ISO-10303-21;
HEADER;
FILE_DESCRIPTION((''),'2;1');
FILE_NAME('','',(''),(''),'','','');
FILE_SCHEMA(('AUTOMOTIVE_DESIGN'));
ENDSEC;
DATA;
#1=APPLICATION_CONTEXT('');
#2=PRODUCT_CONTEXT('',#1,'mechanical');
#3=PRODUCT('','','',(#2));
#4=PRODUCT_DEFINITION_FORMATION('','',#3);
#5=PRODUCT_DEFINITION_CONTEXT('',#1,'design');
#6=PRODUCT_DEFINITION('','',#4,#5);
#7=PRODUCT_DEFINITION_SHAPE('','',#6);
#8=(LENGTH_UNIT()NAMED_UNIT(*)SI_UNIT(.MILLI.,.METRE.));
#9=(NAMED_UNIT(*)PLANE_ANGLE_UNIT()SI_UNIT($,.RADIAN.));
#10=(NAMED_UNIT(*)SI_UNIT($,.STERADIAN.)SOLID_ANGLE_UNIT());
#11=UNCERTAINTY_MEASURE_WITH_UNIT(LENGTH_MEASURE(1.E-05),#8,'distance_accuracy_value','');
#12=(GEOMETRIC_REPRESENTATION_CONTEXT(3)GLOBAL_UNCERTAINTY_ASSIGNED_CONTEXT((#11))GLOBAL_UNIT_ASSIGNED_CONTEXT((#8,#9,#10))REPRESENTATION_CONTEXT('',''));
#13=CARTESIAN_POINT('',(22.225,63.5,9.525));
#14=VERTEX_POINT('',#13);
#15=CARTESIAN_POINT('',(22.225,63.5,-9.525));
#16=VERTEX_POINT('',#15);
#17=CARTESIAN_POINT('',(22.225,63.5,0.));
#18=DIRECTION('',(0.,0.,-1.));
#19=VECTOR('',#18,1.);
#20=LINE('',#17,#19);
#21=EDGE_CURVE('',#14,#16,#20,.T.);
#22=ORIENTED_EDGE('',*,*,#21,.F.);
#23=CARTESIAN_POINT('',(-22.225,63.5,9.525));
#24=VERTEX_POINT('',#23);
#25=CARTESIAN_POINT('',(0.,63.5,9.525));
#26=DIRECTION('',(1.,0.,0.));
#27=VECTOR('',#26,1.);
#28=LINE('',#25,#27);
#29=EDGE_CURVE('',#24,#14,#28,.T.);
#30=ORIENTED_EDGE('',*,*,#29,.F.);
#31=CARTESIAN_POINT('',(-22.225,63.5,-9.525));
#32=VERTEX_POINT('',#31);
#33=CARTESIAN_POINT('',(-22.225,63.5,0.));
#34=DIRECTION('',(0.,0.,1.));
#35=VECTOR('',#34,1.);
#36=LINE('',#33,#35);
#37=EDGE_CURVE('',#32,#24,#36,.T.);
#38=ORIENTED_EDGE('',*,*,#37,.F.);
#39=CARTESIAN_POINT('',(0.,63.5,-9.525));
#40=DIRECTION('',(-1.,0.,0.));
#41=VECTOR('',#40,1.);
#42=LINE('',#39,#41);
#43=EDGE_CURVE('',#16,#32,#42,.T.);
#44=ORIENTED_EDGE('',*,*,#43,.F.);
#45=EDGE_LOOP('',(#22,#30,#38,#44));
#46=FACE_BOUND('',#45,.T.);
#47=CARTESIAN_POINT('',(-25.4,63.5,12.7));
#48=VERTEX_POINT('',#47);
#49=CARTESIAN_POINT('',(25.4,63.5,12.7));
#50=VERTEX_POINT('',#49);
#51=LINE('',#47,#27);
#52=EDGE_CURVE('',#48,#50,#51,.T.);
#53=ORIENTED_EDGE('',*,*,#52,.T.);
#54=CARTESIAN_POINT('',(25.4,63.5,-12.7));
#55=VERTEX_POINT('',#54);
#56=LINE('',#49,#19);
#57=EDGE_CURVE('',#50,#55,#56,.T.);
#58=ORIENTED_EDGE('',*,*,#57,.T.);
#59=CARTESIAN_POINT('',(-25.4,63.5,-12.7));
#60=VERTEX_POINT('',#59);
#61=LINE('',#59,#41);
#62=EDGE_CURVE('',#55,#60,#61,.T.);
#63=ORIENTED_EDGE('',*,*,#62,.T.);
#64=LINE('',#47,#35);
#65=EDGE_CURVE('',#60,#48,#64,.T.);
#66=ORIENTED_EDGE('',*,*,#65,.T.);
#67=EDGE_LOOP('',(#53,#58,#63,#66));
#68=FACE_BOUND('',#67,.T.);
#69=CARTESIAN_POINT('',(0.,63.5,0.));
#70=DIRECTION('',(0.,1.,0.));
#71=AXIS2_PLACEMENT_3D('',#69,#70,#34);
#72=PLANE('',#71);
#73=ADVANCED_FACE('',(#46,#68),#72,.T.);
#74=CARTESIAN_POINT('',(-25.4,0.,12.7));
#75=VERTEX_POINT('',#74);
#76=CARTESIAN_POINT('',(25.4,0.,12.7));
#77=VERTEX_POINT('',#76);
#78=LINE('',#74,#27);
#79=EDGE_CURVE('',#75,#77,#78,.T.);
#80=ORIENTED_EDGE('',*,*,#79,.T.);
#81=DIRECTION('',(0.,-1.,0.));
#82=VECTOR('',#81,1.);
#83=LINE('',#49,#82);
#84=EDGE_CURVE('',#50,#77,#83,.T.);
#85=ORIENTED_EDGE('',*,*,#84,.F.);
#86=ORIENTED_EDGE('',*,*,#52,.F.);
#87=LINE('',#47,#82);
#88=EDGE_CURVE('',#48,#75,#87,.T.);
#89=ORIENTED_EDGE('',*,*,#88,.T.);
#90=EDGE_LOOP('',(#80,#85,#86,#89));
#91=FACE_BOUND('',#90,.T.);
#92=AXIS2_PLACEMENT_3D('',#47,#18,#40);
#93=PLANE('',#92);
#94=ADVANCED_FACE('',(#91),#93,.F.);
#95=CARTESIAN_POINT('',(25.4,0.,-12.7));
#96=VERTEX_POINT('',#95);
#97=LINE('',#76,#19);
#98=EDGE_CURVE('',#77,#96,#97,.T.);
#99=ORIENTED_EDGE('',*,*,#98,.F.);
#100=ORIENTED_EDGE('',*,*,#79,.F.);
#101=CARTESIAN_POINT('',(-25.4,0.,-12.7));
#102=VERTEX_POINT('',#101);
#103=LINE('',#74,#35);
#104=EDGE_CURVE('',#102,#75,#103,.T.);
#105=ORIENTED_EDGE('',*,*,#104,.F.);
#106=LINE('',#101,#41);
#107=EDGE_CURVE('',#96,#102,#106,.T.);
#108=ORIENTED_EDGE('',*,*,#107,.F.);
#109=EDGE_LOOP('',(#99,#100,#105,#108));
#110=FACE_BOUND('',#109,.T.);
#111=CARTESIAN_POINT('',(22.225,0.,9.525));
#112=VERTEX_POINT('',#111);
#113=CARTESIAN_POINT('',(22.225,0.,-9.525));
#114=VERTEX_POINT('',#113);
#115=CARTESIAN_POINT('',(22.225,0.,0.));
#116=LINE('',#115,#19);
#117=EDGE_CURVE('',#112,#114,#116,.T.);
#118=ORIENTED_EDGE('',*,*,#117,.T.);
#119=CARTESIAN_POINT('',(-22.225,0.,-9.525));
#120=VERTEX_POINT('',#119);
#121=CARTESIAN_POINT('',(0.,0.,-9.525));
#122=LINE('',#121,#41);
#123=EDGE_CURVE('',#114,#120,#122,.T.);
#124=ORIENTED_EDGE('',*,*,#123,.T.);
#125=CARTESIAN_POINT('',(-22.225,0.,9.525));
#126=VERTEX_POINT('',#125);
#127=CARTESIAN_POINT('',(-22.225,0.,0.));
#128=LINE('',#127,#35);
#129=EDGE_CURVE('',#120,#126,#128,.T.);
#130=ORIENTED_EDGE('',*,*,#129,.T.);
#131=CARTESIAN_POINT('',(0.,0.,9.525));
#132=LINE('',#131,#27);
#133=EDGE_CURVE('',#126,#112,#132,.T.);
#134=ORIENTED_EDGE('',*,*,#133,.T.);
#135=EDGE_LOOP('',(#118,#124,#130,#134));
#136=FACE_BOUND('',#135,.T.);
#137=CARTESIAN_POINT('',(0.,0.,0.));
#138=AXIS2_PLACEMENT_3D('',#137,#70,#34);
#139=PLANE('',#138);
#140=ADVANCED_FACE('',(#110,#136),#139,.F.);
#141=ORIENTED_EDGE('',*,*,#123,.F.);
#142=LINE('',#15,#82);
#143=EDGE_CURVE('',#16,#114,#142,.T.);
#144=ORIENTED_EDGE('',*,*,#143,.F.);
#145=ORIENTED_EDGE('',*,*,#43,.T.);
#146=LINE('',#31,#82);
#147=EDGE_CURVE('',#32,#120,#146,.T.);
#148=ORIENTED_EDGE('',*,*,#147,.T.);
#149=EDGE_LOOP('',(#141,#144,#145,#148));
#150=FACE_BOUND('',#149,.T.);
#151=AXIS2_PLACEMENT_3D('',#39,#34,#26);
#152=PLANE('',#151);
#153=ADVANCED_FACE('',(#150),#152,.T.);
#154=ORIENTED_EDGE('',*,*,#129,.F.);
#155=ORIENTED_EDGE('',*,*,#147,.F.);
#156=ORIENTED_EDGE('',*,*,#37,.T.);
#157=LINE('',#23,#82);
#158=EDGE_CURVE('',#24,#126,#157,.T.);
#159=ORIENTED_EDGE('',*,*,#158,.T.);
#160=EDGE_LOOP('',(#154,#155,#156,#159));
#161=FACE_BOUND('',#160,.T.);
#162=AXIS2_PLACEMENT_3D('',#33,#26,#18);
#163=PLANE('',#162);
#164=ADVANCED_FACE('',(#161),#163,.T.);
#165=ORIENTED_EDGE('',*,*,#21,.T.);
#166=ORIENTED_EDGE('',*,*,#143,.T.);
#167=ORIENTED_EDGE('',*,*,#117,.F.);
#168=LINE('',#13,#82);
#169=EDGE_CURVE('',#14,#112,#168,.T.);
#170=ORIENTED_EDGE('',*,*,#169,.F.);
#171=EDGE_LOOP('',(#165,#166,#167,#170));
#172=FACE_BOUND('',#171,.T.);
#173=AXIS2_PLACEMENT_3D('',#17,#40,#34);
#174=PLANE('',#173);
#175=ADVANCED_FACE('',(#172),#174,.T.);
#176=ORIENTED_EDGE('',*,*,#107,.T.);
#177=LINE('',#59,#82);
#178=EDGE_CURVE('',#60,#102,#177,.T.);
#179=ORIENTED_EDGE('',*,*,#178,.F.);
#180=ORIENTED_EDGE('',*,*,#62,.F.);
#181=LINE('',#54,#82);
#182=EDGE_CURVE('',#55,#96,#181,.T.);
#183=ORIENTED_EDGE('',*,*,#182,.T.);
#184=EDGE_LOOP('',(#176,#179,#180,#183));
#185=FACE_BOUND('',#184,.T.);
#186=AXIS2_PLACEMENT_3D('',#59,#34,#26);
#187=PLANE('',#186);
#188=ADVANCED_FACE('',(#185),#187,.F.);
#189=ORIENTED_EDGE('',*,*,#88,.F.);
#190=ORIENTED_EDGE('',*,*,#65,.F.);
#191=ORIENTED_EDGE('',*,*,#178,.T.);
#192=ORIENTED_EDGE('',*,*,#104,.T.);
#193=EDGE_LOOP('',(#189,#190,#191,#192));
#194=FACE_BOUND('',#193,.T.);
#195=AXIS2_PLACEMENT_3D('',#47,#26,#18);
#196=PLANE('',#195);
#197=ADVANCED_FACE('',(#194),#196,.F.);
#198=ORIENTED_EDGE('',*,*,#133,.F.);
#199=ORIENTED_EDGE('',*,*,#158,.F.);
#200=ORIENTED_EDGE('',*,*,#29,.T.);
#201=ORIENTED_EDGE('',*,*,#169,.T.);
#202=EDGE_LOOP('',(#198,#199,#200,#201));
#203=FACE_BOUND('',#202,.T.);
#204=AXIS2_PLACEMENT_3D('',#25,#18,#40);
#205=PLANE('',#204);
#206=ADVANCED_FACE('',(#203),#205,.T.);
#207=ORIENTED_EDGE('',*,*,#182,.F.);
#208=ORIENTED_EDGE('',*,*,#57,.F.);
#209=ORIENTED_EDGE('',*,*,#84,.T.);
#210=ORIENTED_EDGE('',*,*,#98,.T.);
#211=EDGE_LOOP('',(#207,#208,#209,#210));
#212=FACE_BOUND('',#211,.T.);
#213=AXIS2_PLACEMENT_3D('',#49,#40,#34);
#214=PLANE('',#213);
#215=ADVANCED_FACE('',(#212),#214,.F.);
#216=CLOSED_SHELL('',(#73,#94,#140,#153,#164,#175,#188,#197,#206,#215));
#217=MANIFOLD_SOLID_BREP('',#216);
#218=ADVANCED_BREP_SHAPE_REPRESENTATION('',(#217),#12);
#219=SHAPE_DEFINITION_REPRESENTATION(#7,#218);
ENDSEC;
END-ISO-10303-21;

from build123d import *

# Parameters (mm, degrees)
SKETCH1_W           = 50.8
SKETCH1_H           = 25.4
SKETCH1_W_2         = 44.45
SKETCH1_H_2         = 19.05
EXTRUDE_THIN1_DEPTH = 63.5


with BuildPart() as part:
    # Sketch1 → Extrude-Thin1 (new body)
    with BuildSketch(Plane(origin=(0, 0, 0), x_dir=(1, 0, 0), z_dir=(0, 1, 0))):
        Rectangle(SKETCH1_W, SKETCH1_H)
        Rectangle(SKETCH1_W_2, SKETCH1_H_2, mode=Mode.SUBTRACT)
    extrude(amount=EXTRUDE_THIN1_DEPTH)


solid = part.part
